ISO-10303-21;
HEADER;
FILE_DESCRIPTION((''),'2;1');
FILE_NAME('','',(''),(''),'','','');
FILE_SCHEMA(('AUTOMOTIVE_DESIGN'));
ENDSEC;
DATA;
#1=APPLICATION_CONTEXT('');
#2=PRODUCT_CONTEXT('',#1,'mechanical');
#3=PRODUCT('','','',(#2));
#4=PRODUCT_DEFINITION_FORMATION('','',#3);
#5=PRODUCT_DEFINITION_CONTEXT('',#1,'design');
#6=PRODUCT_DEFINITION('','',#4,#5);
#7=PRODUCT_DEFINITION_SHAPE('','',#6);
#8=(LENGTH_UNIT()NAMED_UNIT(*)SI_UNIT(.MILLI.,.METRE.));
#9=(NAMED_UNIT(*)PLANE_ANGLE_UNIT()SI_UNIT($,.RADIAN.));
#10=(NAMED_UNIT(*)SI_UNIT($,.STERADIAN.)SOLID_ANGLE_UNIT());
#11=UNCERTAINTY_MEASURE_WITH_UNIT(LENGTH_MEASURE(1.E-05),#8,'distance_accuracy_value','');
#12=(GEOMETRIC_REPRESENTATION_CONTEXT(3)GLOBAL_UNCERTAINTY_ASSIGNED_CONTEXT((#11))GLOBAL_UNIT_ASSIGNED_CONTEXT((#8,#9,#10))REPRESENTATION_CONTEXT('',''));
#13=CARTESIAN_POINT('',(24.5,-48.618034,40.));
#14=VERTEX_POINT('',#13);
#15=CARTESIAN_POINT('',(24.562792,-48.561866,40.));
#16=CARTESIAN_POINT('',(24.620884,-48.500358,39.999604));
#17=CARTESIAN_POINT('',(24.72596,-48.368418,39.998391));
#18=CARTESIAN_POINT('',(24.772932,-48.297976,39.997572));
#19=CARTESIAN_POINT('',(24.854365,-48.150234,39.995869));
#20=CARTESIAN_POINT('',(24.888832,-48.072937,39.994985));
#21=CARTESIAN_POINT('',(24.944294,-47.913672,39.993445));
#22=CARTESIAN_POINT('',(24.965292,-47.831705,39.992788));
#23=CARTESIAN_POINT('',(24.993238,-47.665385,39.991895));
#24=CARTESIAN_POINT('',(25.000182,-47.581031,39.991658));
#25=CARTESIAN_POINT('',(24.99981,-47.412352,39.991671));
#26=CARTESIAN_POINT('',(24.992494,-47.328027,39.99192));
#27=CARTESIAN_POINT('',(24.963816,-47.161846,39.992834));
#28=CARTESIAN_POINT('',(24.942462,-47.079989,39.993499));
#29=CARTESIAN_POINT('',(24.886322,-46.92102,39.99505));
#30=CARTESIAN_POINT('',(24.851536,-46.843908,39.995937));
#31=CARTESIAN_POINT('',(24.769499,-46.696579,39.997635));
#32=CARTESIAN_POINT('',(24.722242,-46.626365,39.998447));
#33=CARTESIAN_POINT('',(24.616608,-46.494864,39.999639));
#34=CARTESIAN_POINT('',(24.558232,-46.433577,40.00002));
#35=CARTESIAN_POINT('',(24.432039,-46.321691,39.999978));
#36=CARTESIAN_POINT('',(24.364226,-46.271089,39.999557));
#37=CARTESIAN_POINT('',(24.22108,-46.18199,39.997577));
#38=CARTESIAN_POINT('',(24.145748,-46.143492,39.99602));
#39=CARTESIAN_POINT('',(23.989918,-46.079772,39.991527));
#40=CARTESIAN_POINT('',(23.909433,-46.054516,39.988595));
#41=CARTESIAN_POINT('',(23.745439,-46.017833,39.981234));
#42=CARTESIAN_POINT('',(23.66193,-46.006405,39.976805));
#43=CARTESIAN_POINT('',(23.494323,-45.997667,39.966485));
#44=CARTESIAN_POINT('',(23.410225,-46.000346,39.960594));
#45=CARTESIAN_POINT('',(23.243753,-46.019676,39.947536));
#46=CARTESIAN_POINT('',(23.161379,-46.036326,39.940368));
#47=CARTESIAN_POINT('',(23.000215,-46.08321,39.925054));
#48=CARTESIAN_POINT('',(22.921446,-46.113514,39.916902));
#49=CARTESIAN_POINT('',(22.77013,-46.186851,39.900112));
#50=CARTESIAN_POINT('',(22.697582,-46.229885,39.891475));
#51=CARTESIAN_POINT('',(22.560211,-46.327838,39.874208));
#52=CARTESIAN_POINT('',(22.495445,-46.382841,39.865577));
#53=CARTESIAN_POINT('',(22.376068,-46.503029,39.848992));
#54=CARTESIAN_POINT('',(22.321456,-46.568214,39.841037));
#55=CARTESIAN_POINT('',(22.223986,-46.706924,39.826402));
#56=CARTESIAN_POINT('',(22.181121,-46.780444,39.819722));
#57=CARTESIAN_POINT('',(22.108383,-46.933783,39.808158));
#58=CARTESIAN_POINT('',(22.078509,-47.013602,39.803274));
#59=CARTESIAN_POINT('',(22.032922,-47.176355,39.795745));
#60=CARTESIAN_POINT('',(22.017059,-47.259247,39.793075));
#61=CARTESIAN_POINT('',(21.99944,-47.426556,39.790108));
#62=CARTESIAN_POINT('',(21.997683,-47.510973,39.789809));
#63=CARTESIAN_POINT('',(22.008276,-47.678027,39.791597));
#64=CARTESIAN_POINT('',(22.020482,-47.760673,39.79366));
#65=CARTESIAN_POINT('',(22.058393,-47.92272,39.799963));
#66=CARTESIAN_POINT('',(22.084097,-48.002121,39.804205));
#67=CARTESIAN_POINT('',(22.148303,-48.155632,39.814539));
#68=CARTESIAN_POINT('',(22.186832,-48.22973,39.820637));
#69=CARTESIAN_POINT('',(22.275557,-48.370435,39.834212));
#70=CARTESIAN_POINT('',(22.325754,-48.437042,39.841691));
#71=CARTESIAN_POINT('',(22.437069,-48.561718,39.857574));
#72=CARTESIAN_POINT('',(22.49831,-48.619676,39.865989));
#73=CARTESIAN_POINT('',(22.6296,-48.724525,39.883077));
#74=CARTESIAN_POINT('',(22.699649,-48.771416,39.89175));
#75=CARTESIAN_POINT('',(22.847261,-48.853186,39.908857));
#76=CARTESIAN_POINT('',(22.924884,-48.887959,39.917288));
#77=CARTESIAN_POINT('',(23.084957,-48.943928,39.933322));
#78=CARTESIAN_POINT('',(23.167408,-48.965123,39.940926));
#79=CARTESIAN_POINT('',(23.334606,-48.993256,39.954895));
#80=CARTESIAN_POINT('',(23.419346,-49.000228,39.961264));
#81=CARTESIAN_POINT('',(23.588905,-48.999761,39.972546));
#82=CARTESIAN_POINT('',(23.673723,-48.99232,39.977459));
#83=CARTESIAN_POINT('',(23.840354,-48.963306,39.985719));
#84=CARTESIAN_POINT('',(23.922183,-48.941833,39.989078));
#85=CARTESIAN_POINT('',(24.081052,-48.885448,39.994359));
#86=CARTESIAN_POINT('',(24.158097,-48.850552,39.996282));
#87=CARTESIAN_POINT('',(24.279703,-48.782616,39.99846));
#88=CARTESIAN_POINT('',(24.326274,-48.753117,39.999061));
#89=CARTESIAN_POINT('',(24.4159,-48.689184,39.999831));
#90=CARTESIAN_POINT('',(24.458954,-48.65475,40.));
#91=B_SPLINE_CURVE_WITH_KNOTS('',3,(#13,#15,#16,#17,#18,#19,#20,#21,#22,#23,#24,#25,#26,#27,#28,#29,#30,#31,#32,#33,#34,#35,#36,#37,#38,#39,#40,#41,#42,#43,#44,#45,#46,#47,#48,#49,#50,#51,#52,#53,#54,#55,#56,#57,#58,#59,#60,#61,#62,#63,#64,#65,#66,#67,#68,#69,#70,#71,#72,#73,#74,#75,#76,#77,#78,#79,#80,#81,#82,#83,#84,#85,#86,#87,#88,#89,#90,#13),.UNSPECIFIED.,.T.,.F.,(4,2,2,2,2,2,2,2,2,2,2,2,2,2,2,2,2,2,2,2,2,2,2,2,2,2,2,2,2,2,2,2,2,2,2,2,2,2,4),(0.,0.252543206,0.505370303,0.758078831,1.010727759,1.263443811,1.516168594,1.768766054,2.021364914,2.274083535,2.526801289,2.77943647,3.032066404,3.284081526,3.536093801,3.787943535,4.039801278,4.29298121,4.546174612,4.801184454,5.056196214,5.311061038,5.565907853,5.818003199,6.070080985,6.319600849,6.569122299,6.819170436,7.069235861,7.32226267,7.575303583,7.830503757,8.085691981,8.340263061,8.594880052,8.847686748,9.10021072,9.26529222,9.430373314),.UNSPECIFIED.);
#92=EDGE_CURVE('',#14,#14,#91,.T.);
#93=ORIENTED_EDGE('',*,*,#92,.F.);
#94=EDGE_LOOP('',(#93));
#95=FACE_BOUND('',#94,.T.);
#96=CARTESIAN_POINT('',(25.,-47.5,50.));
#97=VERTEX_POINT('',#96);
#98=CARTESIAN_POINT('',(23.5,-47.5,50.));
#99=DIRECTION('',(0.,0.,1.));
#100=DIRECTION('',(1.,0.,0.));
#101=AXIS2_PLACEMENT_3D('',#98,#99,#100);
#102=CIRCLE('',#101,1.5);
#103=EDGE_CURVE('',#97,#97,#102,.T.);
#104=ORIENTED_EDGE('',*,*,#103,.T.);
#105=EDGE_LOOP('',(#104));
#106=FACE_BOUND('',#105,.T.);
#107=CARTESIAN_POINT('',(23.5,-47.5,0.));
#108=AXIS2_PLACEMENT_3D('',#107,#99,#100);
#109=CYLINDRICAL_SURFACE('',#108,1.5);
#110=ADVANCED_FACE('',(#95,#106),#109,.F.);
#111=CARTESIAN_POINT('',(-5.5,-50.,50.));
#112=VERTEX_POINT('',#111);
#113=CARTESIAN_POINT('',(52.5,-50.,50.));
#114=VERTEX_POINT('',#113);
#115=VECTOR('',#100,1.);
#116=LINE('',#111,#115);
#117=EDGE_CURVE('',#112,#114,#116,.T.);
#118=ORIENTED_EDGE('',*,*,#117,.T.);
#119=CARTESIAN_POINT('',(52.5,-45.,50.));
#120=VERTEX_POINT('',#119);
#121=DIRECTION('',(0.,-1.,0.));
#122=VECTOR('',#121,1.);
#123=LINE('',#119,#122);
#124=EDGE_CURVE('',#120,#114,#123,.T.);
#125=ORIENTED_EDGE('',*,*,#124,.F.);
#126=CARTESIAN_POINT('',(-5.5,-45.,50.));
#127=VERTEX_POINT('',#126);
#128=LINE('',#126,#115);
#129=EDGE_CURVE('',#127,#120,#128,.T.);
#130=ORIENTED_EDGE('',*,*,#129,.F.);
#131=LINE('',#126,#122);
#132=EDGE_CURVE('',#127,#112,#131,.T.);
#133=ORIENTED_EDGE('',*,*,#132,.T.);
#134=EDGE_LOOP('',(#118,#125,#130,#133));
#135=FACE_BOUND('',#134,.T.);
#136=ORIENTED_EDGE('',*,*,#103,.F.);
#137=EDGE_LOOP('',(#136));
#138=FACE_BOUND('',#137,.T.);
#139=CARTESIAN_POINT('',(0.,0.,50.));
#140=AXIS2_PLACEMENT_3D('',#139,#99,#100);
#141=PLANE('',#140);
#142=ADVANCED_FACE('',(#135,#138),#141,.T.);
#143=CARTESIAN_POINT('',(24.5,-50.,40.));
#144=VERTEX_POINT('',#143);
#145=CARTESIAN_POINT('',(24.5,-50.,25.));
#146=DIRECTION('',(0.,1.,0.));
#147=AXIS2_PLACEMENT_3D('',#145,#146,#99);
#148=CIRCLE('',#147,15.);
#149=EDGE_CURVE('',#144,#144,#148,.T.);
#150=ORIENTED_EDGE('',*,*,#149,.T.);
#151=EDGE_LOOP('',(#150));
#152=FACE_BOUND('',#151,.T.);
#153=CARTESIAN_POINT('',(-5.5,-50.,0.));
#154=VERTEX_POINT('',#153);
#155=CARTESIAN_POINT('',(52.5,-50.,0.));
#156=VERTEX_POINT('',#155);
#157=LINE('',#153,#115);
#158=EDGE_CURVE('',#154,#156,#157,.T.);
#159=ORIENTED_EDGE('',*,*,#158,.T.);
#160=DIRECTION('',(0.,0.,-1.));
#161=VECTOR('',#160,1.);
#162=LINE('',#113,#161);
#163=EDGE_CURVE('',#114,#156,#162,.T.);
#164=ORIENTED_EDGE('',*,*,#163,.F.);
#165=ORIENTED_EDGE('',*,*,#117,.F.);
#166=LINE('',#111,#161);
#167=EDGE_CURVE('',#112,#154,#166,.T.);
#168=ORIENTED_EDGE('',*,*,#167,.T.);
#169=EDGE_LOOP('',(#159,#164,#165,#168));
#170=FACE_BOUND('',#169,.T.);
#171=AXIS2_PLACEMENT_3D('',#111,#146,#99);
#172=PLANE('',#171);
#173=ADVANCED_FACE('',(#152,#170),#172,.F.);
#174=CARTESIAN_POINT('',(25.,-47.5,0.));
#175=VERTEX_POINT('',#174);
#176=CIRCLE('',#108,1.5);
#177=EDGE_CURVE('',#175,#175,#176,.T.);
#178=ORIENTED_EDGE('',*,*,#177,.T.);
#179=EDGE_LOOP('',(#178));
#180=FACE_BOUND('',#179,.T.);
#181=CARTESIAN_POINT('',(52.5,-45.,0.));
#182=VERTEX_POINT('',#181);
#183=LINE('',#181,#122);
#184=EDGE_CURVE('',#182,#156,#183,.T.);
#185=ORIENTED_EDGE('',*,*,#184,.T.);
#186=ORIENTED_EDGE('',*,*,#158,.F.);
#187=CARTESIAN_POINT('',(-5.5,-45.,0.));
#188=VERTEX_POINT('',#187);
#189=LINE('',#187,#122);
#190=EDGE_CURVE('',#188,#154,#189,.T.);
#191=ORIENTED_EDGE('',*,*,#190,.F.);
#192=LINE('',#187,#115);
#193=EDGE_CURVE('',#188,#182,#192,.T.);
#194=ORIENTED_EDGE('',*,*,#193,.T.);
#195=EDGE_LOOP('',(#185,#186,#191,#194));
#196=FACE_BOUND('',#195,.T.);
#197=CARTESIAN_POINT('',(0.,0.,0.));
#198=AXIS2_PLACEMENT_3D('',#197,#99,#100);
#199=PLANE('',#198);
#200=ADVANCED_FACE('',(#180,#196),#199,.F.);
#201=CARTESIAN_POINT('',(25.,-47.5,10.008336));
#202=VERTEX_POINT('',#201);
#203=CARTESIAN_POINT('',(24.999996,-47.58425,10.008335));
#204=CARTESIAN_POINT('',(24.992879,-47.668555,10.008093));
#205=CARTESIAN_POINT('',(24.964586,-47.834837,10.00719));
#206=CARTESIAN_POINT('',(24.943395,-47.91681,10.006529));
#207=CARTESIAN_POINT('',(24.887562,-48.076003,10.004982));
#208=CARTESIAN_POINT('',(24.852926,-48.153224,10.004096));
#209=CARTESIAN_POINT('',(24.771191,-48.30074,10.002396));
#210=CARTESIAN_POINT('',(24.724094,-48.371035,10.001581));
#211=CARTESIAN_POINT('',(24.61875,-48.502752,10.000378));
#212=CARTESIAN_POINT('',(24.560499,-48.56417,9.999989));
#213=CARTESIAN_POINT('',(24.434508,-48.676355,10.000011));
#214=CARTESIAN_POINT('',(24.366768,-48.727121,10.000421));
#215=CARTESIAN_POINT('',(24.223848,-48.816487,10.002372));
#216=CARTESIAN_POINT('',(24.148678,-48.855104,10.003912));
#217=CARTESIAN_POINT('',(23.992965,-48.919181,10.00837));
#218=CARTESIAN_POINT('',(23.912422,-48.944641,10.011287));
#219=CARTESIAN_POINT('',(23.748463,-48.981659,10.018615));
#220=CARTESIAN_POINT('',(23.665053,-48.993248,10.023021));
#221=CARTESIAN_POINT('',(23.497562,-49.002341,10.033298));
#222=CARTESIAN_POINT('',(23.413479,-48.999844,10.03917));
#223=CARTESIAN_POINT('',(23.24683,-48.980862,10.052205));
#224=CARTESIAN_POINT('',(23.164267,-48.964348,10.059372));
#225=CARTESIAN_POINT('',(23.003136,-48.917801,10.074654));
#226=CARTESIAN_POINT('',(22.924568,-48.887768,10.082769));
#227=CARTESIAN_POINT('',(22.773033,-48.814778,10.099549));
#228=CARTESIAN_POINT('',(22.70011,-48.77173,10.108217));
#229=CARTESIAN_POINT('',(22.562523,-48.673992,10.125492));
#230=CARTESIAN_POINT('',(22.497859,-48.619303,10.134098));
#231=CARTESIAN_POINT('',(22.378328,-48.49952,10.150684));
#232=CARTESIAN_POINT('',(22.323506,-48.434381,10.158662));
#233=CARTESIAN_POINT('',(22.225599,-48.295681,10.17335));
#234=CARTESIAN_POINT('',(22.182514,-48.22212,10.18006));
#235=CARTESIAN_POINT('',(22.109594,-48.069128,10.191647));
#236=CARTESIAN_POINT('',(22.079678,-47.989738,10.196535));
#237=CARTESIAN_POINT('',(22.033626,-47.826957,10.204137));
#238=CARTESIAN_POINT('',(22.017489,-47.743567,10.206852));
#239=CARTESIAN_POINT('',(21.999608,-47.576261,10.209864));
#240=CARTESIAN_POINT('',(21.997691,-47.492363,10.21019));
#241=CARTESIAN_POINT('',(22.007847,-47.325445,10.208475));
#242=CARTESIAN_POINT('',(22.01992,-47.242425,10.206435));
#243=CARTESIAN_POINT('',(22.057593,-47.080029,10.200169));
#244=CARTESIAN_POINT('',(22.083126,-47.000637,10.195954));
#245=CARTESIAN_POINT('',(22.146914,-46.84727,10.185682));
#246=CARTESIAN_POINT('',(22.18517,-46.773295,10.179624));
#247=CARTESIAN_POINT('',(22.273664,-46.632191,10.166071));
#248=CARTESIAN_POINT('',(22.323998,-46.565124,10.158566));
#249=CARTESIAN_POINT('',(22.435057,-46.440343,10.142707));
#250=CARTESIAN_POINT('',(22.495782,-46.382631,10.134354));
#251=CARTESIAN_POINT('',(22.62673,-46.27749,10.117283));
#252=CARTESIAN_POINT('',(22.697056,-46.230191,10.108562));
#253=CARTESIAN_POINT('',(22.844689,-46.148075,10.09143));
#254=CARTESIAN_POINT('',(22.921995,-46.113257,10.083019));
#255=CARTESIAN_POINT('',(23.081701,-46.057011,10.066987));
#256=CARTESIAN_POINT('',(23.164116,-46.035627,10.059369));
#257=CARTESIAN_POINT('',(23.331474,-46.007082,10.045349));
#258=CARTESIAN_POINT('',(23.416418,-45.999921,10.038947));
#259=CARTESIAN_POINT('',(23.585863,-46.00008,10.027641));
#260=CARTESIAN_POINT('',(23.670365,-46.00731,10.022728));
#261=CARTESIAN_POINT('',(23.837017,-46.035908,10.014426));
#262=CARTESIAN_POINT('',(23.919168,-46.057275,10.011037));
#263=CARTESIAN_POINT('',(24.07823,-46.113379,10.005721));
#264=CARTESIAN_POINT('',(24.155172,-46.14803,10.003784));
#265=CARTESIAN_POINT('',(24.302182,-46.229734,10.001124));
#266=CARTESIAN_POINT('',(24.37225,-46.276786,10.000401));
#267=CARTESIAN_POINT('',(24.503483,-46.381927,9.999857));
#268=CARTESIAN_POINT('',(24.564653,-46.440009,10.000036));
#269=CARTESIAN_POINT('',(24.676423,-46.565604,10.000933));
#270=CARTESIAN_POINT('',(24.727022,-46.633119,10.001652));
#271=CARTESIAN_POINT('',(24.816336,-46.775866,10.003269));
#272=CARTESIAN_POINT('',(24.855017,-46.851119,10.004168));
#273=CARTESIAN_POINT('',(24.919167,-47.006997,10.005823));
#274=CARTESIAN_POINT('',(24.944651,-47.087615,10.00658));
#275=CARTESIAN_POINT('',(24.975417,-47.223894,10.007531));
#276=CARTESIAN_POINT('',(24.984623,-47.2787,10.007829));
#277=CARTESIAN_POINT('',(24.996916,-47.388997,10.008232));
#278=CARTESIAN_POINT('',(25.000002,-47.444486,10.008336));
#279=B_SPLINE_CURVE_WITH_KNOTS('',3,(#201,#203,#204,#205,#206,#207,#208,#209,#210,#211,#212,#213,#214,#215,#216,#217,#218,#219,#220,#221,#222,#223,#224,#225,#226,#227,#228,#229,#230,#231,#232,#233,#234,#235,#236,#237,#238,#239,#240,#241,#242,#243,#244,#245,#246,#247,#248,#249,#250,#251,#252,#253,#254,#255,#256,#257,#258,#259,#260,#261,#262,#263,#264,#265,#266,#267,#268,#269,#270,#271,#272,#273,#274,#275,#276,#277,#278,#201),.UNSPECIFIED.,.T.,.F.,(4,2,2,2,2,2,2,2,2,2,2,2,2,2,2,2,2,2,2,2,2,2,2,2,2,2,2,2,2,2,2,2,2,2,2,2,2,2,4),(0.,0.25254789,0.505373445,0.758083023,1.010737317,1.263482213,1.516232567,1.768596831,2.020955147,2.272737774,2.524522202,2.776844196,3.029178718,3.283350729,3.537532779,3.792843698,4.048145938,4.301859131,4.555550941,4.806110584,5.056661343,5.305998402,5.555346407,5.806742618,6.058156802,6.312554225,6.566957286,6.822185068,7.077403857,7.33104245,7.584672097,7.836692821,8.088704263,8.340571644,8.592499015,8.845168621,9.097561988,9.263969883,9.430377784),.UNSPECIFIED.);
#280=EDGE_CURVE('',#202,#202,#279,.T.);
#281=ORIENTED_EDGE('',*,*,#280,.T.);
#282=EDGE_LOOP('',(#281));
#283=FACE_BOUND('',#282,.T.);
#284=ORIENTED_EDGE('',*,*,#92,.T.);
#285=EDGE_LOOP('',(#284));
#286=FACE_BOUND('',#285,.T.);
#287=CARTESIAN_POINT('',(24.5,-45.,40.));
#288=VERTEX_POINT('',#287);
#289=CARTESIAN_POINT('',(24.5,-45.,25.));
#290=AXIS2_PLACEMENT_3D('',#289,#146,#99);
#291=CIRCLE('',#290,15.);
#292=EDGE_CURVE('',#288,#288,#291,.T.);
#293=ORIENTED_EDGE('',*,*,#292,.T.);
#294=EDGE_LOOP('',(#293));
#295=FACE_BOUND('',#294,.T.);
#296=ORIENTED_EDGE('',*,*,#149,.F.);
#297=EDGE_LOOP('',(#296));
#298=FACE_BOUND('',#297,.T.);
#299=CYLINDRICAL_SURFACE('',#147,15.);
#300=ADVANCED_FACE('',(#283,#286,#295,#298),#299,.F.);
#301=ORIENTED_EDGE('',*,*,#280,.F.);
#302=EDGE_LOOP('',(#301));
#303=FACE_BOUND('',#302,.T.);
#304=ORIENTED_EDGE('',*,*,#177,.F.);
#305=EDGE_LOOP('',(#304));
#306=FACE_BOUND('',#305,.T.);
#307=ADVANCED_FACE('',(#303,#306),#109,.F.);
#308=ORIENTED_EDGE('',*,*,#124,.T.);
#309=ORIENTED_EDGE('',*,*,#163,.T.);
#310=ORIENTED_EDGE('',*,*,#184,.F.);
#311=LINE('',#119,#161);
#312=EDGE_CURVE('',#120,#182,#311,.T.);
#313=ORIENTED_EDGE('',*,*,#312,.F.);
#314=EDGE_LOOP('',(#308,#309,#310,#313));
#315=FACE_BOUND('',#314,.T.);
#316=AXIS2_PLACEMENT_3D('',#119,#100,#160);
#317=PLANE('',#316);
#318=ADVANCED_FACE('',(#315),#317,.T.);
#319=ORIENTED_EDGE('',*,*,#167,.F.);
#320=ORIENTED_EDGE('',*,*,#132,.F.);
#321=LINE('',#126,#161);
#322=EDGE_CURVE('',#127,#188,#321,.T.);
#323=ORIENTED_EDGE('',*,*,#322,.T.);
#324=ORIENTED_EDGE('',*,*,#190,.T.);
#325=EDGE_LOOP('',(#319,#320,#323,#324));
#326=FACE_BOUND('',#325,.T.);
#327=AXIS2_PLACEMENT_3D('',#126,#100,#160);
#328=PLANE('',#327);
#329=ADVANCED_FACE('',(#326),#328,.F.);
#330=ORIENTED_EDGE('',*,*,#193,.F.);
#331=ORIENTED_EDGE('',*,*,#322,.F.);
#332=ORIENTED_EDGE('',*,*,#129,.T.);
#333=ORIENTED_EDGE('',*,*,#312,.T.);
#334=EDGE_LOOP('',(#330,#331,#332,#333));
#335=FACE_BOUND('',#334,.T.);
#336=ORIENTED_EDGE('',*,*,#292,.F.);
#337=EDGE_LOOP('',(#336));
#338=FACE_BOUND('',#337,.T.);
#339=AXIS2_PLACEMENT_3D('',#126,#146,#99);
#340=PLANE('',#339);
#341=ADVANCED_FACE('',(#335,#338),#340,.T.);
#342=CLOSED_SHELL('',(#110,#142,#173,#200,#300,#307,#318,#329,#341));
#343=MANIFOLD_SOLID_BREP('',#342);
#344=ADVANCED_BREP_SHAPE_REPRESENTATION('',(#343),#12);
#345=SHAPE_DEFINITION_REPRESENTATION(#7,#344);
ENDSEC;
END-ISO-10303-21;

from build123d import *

# Parameters (mm, degrees)
ESQUISSE1_W             = 58
ESQUISSE1_H             = 5
BOSS_EXTRU_1_DEPTH      = 50
ESQUISSE2_R             = 15
ENL_V_MAT_EXTRU_1_DEPTH = 6
ESQUISSE5_R             = 1.5
ENL_V_MAT_EXTRU_4_DEPTH = 51


with BuildPart() as part:
    # Esquisse1 → Boss.-Extru.1 (new body)
    with BuildSketch(Plane.XY):
        with Locations((23.5, -47.5)):
            Rectangle(ESQUISSE1_W, ESQUISSE1_H)
    extrude(amount=BOSS_EXTRU_1_DEPTH)

    # Esquisse2 → Enlèv. mat.-Extru.1 (cut, through all)
    with BuildSketch(Plane(origin=(0, -45, 0), x_dir=(-1, 0, 0), z_dir=(0, 1, 0))):
        with Locations((-24.5, 25)):
            Circle(ESQUISSE2_R)
    extrude(amount=-ENL_V_MAT_EXTRU_1_DEPTH, mode=Mode.SUBTRACT)

    # Esquisse5 → Enlèv. mat.-Extru.4 (cut, through all)
    with BuildSketch(Plane.XY.offset(50)):
        with Locations((23.5, -47.5)):
            Circle(ESQUISSE5_R)
    extrude(amount=-ENL_V_MAT_EXTRU_4_DEPTH, mode=Mode.SUBTRACT)


solid = part.part
